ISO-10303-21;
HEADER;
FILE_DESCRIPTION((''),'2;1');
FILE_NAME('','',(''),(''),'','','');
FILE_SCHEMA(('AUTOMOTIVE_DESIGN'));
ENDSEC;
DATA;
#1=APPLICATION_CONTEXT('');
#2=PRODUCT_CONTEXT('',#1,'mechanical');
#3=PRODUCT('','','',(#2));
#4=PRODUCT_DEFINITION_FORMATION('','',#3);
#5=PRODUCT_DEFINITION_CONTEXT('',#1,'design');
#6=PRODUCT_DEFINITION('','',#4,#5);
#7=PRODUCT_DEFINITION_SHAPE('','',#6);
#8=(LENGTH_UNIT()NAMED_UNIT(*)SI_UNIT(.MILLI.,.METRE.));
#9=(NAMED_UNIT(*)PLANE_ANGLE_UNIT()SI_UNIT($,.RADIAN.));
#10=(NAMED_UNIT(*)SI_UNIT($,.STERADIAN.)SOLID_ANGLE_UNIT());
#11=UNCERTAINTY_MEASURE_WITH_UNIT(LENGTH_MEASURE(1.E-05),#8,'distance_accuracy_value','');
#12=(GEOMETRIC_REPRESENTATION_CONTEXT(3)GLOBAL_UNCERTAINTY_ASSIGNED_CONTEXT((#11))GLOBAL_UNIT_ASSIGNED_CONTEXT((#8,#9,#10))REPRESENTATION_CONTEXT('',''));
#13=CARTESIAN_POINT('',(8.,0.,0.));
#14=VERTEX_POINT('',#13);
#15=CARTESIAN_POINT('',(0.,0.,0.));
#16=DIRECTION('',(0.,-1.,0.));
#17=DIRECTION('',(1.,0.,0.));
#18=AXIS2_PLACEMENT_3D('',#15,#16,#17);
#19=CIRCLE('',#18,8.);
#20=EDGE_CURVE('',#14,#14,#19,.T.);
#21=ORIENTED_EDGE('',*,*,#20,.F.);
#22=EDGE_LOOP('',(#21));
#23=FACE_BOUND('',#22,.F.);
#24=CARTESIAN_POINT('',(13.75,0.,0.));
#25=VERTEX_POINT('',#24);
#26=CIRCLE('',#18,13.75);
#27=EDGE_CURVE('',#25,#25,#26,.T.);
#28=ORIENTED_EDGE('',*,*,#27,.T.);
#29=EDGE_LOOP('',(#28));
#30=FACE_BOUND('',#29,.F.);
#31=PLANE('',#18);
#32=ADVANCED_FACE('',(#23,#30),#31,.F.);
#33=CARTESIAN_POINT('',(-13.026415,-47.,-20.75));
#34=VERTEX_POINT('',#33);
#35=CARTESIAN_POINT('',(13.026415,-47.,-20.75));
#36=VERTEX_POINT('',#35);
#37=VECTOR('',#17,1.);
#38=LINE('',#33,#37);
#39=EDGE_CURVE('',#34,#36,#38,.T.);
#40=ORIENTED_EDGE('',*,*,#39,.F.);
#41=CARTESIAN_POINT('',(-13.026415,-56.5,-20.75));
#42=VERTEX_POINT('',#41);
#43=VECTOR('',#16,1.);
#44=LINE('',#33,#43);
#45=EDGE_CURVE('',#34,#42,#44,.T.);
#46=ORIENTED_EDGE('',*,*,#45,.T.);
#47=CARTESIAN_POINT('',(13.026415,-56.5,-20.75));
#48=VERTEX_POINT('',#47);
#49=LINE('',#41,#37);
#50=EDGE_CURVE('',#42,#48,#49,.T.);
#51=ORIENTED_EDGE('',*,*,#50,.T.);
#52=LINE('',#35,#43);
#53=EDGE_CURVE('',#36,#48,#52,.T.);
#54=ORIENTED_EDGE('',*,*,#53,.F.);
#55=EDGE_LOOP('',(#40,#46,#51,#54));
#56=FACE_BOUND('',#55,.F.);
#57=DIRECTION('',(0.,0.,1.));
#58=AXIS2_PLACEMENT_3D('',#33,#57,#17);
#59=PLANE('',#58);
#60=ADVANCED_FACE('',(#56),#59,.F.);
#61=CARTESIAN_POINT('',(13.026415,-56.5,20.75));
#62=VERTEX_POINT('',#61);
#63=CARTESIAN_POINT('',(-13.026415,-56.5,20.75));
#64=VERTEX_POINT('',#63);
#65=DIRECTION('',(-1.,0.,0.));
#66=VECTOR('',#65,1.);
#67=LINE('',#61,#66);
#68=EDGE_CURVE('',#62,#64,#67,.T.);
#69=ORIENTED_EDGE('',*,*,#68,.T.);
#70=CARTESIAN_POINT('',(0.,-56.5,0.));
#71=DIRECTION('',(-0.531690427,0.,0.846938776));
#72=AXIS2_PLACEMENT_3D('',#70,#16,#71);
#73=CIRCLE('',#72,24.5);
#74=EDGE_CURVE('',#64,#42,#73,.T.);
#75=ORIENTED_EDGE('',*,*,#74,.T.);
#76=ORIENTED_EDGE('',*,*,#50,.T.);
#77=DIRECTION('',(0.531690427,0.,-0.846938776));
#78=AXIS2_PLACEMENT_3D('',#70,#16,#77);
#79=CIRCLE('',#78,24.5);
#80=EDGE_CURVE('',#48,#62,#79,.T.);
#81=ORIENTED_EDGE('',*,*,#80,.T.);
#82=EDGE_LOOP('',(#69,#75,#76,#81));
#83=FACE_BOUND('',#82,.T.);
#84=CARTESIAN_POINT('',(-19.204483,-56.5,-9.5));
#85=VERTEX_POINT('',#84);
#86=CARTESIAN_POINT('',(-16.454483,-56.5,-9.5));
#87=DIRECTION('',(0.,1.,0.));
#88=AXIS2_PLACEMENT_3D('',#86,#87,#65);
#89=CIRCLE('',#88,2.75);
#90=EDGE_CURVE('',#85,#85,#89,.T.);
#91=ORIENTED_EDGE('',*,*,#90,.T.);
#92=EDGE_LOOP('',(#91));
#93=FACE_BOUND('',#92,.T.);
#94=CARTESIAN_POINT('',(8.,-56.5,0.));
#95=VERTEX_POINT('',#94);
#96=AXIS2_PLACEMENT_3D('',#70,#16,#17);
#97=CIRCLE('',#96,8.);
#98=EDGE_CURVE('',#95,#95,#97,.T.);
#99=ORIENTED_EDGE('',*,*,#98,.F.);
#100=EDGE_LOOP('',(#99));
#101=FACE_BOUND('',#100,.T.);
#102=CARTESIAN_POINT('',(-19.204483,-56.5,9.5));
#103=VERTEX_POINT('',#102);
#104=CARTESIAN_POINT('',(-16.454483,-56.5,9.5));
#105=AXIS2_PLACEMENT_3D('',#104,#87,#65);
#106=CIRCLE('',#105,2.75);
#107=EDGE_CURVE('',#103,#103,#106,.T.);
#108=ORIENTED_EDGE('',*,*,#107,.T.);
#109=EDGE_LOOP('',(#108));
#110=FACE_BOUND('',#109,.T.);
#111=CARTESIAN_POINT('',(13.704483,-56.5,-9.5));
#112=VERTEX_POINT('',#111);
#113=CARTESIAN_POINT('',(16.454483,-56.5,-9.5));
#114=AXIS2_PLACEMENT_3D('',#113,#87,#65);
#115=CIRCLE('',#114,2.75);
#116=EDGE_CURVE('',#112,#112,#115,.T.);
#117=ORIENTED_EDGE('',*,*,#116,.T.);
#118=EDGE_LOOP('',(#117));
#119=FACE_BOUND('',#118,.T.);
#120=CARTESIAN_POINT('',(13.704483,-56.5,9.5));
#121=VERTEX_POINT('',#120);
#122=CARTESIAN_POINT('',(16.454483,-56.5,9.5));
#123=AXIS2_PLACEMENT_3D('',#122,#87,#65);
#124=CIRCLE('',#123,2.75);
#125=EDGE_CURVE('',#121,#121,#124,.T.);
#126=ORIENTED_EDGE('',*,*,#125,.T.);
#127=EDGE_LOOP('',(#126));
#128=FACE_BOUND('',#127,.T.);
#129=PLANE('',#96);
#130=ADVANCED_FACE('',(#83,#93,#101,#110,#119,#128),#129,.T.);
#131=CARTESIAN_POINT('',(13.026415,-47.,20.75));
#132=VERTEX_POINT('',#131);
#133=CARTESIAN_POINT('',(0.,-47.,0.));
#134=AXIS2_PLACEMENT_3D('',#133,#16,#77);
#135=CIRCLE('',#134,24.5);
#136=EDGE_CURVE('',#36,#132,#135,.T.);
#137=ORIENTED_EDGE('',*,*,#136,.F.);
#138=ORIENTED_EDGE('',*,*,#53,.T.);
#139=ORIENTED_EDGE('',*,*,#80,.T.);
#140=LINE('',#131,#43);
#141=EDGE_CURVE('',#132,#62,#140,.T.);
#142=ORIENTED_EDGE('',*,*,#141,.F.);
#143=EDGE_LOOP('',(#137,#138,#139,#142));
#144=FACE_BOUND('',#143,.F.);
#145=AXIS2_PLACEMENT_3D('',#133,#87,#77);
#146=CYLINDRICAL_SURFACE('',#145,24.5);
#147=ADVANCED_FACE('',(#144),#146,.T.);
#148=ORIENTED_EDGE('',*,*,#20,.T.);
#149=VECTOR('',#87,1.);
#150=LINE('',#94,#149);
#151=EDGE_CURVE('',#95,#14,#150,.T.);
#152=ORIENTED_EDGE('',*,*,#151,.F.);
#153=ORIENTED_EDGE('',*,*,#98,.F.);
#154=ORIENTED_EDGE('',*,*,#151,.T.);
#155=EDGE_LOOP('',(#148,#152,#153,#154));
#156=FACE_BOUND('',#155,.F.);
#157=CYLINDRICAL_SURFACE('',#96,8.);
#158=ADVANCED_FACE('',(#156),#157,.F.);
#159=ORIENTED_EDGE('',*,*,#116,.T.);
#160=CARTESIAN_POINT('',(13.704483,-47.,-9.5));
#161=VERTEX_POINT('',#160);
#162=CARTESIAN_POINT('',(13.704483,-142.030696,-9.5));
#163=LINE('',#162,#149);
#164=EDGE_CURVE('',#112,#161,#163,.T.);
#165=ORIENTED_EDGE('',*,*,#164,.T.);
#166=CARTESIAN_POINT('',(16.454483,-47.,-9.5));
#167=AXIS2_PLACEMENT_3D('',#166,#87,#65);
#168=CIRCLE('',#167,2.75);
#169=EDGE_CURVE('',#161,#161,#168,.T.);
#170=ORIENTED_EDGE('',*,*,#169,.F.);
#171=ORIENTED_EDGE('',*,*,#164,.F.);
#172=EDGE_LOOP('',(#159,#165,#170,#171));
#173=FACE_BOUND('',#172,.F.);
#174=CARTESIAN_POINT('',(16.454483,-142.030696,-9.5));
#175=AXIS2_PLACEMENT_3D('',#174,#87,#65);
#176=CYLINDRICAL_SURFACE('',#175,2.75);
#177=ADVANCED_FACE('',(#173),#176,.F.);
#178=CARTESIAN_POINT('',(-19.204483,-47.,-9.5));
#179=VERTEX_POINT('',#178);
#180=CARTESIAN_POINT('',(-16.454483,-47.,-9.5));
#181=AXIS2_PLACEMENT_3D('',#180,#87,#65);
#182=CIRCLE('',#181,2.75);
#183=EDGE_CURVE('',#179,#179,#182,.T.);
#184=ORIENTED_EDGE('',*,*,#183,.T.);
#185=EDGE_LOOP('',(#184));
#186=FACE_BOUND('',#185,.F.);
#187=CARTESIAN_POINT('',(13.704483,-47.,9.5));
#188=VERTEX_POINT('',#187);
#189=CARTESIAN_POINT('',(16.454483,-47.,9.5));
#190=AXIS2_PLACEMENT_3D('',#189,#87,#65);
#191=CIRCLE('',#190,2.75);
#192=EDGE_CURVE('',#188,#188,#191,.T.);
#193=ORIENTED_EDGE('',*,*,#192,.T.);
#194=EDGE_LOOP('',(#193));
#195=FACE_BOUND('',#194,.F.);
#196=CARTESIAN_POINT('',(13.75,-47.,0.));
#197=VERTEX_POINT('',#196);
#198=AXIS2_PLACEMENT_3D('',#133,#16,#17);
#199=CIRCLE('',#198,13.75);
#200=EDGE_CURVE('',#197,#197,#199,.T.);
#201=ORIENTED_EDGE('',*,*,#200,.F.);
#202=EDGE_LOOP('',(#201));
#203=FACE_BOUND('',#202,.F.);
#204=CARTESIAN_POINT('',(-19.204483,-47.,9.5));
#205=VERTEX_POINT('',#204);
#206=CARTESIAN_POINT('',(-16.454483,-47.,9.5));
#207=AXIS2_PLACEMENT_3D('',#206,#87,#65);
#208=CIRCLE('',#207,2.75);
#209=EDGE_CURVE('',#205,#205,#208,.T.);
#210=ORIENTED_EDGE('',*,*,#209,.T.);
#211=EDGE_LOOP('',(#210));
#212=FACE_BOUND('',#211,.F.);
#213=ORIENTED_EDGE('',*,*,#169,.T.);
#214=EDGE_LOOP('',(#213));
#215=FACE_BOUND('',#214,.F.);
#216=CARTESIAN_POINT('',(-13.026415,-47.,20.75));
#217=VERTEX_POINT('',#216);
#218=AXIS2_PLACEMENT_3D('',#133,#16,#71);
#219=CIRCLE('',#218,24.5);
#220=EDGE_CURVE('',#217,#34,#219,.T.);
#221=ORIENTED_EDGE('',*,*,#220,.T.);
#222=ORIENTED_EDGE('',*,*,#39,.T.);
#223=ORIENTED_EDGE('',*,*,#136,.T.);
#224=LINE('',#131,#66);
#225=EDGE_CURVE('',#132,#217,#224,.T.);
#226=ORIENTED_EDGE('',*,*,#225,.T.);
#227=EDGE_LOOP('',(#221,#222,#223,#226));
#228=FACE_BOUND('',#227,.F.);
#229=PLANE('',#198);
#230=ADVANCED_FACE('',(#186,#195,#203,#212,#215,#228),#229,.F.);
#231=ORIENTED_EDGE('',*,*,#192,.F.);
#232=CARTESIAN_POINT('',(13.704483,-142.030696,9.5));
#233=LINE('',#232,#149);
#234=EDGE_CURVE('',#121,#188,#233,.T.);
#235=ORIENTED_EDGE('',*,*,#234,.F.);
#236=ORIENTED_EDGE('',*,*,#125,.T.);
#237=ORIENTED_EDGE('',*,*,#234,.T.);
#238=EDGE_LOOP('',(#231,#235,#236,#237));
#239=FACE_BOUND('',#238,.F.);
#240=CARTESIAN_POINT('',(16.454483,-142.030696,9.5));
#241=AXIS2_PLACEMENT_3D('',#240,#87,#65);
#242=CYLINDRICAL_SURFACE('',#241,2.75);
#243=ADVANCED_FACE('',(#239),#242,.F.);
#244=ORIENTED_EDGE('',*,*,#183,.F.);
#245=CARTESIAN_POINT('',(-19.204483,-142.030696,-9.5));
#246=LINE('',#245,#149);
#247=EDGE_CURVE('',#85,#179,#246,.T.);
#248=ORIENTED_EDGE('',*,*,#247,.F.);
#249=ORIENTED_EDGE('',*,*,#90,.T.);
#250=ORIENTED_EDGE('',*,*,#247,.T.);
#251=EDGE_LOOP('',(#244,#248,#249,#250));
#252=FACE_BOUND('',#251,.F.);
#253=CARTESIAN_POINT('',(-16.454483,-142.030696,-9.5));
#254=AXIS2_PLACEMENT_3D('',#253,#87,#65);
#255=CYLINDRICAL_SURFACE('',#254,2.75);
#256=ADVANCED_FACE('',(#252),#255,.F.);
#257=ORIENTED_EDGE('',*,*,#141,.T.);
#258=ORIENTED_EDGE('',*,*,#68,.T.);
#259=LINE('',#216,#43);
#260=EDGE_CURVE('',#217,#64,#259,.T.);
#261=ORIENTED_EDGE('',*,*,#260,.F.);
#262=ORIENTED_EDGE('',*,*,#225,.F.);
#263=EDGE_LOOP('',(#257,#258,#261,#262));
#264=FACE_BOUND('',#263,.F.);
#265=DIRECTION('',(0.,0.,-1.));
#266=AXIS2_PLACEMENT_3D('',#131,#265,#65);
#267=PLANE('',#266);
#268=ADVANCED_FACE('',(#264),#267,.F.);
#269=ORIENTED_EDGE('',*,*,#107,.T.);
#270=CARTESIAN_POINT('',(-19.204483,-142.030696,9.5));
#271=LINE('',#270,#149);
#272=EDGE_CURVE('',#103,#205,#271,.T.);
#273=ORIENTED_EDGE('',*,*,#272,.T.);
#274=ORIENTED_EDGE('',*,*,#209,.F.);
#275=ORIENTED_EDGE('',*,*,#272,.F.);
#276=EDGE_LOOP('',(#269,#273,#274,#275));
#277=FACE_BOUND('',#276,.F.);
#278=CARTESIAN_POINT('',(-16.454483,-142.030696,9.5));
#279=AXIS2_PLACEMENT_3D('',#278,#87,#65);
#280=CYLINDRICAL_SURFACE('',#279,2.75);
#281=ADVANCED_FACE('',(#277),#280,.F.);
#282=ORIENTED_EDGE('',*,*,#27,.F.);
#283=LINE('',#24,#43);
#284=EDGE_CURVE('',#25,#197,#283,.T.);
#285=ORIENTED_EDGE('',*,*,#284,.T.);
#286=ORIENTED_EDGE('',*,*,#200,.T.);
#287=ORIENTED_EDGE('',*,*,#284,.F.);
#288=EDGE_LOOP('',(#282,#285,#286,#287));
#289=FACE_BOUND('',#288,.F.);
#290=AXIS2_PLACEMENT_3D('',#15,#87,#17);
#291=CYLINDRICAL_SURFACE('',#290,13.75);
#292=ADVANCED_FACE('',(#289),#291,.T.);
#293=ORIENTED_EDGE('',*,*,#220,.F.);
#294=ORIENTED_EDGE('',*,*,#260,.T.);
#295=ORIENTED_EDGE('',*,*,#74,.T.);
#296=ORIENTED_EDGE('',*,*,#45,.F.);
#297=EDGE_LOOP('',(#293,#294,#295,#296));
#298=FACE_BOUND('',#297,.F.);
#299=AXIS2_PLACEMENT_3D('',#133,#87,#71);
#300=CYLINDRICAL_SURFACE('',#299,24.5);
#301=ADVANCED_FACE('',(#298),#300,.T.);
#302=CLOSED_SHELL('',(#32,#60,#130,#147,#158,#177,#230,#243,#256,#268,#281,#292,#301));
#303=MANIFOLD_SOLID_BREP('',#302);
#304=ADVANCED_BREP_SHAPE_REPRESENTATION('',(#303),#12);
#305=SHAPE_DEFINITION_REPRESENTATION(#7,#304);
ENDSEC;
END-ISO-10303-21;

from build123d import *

# Parameters (mm, degrees)
F0_R     = 13.75
F1_DEPTH = 47
F2_R     = 13.75
F3_DEPTH = 9.5
F4_R     = 8
F5_DEPTH = 56.501
F7_D     = 5.5


with BuildPart() as f1:
    # F0 (on Front) → F1 (new body)
    with BuildSketch(Plane.XZ):
        Circle(F0_R)
    extrude(amount=F1_DEPTH)

    # F2 (on face) → F3 (join)
    with BuildSketch(Plane.XZ.offset(47)):
        with BuildLine():
            Line((13.0264154701, 20.75), (-13.0264154701, 20.75))
            ThreePointArc((-13.0264154701, 20.75), (-24.5, 0), (-13.0264154701, -20.75))
            Line((-13.0264154701, -20.75), (13.0264154701, -20.75))
            ThreePointArc((13.0264154701, -20.75), (24.5, 0), (13.0264154701, 20.75))
        make_face()
        Circle(F2_R, mode=Mode.SUBTRACT)
        Circle(F2_R)
    extrude(amount=F3_DEPTH)

    # F4 (on face) → F5 (cut, through all)
    with BuildSketch(Plane.XZ.offset(56.5)):
        Circle(F4_R)
    extrude(amount=-F5_DEPTH, mode=Mode.SUBTRACT)

    # F7 (through all)
    with Locations(Plane.XZ.offset(56.5)):
        with Locations((-16.4544826719, 9.5), (-16.4544826719, -9.5), (16.4544826719, 9.5), (16.4544826719, -9.5)):
            Hole(F7_D / 2)


solid = f1.part
